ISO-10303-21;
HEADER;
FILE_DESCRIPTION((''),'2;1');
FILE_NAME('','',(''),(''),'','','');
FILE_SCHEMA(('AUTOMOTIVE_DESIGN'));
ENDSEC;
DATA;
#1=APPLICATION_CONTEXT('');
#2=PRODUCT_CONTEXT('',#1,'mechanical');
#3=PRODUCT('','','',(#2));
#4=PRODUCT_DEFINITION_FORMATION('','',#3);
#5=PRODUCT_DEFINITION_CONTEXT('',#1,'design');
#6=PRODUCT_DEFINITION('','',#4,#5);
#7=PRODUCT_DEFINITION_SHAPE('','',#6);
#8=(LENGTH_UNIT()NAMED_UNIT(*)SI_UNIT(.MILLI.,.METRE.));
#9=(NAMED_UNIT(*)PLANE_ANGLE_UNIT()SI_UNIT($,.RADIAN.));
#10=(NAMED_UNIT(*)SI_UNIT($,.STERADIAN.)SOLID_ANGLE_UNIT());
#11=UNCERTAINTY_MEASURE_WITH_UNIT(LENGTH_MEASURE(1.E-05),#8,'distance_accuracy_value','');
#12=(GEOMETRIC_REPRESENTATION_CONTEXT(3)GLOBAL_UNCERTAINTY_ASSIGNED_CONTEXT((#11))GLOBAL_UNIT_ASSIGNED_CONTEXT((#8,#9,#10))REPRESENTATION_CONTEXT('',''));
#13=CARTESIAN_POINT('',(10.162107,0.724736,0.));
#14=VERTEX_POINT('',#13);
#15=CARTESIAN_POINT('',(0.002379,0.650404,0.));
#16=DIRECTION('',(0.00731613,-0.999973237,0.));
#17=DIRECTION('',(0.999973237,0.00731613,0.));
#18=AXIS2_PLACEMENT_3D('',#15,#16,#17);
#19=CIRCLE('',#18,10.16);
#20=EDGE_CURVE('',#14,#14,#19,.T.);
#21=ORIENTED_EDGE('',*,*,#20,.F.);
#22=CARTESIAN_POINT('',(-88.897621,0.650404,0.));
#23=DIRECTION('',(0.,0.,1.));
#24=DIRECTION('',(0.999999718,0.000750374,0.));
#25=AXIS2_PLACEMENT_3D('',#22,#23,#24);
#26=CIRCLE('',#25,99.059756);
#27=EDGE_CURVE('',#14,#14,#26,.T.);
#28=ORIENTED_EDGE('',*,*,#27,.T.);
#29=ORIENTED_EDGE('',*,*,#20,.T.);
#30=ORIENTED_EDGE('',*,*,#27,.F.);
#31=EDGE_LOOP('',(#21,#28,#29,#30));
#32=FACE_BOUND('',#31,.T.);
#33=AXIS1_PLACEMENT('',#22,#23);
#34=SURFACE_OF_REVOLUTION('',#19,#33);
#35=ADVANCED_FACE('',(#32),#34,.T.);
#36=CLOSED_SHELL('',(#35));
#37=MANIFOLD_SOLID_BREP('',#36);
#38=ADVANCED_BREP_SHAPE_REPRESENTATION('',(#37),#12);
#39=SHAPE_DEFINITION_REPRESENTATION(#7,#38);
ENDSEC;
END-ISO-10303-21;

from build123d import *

# Parameters (mm, degrees)
F0_R = 10.16


with BuildPart() as f2:
    # F2: sweep along a path in F1
    with BuildLine(Plane.XY) as f2_path:
        CenterArc((-88.897621, 0.650404), 88.9, 0, 360)
    # F0 (on Front) → F2 (sweep)
    with BuildSketch(Plane.XZ):
        Circle(F0_R)
    sweep(path=f2_path.line)


solid = f2.part
